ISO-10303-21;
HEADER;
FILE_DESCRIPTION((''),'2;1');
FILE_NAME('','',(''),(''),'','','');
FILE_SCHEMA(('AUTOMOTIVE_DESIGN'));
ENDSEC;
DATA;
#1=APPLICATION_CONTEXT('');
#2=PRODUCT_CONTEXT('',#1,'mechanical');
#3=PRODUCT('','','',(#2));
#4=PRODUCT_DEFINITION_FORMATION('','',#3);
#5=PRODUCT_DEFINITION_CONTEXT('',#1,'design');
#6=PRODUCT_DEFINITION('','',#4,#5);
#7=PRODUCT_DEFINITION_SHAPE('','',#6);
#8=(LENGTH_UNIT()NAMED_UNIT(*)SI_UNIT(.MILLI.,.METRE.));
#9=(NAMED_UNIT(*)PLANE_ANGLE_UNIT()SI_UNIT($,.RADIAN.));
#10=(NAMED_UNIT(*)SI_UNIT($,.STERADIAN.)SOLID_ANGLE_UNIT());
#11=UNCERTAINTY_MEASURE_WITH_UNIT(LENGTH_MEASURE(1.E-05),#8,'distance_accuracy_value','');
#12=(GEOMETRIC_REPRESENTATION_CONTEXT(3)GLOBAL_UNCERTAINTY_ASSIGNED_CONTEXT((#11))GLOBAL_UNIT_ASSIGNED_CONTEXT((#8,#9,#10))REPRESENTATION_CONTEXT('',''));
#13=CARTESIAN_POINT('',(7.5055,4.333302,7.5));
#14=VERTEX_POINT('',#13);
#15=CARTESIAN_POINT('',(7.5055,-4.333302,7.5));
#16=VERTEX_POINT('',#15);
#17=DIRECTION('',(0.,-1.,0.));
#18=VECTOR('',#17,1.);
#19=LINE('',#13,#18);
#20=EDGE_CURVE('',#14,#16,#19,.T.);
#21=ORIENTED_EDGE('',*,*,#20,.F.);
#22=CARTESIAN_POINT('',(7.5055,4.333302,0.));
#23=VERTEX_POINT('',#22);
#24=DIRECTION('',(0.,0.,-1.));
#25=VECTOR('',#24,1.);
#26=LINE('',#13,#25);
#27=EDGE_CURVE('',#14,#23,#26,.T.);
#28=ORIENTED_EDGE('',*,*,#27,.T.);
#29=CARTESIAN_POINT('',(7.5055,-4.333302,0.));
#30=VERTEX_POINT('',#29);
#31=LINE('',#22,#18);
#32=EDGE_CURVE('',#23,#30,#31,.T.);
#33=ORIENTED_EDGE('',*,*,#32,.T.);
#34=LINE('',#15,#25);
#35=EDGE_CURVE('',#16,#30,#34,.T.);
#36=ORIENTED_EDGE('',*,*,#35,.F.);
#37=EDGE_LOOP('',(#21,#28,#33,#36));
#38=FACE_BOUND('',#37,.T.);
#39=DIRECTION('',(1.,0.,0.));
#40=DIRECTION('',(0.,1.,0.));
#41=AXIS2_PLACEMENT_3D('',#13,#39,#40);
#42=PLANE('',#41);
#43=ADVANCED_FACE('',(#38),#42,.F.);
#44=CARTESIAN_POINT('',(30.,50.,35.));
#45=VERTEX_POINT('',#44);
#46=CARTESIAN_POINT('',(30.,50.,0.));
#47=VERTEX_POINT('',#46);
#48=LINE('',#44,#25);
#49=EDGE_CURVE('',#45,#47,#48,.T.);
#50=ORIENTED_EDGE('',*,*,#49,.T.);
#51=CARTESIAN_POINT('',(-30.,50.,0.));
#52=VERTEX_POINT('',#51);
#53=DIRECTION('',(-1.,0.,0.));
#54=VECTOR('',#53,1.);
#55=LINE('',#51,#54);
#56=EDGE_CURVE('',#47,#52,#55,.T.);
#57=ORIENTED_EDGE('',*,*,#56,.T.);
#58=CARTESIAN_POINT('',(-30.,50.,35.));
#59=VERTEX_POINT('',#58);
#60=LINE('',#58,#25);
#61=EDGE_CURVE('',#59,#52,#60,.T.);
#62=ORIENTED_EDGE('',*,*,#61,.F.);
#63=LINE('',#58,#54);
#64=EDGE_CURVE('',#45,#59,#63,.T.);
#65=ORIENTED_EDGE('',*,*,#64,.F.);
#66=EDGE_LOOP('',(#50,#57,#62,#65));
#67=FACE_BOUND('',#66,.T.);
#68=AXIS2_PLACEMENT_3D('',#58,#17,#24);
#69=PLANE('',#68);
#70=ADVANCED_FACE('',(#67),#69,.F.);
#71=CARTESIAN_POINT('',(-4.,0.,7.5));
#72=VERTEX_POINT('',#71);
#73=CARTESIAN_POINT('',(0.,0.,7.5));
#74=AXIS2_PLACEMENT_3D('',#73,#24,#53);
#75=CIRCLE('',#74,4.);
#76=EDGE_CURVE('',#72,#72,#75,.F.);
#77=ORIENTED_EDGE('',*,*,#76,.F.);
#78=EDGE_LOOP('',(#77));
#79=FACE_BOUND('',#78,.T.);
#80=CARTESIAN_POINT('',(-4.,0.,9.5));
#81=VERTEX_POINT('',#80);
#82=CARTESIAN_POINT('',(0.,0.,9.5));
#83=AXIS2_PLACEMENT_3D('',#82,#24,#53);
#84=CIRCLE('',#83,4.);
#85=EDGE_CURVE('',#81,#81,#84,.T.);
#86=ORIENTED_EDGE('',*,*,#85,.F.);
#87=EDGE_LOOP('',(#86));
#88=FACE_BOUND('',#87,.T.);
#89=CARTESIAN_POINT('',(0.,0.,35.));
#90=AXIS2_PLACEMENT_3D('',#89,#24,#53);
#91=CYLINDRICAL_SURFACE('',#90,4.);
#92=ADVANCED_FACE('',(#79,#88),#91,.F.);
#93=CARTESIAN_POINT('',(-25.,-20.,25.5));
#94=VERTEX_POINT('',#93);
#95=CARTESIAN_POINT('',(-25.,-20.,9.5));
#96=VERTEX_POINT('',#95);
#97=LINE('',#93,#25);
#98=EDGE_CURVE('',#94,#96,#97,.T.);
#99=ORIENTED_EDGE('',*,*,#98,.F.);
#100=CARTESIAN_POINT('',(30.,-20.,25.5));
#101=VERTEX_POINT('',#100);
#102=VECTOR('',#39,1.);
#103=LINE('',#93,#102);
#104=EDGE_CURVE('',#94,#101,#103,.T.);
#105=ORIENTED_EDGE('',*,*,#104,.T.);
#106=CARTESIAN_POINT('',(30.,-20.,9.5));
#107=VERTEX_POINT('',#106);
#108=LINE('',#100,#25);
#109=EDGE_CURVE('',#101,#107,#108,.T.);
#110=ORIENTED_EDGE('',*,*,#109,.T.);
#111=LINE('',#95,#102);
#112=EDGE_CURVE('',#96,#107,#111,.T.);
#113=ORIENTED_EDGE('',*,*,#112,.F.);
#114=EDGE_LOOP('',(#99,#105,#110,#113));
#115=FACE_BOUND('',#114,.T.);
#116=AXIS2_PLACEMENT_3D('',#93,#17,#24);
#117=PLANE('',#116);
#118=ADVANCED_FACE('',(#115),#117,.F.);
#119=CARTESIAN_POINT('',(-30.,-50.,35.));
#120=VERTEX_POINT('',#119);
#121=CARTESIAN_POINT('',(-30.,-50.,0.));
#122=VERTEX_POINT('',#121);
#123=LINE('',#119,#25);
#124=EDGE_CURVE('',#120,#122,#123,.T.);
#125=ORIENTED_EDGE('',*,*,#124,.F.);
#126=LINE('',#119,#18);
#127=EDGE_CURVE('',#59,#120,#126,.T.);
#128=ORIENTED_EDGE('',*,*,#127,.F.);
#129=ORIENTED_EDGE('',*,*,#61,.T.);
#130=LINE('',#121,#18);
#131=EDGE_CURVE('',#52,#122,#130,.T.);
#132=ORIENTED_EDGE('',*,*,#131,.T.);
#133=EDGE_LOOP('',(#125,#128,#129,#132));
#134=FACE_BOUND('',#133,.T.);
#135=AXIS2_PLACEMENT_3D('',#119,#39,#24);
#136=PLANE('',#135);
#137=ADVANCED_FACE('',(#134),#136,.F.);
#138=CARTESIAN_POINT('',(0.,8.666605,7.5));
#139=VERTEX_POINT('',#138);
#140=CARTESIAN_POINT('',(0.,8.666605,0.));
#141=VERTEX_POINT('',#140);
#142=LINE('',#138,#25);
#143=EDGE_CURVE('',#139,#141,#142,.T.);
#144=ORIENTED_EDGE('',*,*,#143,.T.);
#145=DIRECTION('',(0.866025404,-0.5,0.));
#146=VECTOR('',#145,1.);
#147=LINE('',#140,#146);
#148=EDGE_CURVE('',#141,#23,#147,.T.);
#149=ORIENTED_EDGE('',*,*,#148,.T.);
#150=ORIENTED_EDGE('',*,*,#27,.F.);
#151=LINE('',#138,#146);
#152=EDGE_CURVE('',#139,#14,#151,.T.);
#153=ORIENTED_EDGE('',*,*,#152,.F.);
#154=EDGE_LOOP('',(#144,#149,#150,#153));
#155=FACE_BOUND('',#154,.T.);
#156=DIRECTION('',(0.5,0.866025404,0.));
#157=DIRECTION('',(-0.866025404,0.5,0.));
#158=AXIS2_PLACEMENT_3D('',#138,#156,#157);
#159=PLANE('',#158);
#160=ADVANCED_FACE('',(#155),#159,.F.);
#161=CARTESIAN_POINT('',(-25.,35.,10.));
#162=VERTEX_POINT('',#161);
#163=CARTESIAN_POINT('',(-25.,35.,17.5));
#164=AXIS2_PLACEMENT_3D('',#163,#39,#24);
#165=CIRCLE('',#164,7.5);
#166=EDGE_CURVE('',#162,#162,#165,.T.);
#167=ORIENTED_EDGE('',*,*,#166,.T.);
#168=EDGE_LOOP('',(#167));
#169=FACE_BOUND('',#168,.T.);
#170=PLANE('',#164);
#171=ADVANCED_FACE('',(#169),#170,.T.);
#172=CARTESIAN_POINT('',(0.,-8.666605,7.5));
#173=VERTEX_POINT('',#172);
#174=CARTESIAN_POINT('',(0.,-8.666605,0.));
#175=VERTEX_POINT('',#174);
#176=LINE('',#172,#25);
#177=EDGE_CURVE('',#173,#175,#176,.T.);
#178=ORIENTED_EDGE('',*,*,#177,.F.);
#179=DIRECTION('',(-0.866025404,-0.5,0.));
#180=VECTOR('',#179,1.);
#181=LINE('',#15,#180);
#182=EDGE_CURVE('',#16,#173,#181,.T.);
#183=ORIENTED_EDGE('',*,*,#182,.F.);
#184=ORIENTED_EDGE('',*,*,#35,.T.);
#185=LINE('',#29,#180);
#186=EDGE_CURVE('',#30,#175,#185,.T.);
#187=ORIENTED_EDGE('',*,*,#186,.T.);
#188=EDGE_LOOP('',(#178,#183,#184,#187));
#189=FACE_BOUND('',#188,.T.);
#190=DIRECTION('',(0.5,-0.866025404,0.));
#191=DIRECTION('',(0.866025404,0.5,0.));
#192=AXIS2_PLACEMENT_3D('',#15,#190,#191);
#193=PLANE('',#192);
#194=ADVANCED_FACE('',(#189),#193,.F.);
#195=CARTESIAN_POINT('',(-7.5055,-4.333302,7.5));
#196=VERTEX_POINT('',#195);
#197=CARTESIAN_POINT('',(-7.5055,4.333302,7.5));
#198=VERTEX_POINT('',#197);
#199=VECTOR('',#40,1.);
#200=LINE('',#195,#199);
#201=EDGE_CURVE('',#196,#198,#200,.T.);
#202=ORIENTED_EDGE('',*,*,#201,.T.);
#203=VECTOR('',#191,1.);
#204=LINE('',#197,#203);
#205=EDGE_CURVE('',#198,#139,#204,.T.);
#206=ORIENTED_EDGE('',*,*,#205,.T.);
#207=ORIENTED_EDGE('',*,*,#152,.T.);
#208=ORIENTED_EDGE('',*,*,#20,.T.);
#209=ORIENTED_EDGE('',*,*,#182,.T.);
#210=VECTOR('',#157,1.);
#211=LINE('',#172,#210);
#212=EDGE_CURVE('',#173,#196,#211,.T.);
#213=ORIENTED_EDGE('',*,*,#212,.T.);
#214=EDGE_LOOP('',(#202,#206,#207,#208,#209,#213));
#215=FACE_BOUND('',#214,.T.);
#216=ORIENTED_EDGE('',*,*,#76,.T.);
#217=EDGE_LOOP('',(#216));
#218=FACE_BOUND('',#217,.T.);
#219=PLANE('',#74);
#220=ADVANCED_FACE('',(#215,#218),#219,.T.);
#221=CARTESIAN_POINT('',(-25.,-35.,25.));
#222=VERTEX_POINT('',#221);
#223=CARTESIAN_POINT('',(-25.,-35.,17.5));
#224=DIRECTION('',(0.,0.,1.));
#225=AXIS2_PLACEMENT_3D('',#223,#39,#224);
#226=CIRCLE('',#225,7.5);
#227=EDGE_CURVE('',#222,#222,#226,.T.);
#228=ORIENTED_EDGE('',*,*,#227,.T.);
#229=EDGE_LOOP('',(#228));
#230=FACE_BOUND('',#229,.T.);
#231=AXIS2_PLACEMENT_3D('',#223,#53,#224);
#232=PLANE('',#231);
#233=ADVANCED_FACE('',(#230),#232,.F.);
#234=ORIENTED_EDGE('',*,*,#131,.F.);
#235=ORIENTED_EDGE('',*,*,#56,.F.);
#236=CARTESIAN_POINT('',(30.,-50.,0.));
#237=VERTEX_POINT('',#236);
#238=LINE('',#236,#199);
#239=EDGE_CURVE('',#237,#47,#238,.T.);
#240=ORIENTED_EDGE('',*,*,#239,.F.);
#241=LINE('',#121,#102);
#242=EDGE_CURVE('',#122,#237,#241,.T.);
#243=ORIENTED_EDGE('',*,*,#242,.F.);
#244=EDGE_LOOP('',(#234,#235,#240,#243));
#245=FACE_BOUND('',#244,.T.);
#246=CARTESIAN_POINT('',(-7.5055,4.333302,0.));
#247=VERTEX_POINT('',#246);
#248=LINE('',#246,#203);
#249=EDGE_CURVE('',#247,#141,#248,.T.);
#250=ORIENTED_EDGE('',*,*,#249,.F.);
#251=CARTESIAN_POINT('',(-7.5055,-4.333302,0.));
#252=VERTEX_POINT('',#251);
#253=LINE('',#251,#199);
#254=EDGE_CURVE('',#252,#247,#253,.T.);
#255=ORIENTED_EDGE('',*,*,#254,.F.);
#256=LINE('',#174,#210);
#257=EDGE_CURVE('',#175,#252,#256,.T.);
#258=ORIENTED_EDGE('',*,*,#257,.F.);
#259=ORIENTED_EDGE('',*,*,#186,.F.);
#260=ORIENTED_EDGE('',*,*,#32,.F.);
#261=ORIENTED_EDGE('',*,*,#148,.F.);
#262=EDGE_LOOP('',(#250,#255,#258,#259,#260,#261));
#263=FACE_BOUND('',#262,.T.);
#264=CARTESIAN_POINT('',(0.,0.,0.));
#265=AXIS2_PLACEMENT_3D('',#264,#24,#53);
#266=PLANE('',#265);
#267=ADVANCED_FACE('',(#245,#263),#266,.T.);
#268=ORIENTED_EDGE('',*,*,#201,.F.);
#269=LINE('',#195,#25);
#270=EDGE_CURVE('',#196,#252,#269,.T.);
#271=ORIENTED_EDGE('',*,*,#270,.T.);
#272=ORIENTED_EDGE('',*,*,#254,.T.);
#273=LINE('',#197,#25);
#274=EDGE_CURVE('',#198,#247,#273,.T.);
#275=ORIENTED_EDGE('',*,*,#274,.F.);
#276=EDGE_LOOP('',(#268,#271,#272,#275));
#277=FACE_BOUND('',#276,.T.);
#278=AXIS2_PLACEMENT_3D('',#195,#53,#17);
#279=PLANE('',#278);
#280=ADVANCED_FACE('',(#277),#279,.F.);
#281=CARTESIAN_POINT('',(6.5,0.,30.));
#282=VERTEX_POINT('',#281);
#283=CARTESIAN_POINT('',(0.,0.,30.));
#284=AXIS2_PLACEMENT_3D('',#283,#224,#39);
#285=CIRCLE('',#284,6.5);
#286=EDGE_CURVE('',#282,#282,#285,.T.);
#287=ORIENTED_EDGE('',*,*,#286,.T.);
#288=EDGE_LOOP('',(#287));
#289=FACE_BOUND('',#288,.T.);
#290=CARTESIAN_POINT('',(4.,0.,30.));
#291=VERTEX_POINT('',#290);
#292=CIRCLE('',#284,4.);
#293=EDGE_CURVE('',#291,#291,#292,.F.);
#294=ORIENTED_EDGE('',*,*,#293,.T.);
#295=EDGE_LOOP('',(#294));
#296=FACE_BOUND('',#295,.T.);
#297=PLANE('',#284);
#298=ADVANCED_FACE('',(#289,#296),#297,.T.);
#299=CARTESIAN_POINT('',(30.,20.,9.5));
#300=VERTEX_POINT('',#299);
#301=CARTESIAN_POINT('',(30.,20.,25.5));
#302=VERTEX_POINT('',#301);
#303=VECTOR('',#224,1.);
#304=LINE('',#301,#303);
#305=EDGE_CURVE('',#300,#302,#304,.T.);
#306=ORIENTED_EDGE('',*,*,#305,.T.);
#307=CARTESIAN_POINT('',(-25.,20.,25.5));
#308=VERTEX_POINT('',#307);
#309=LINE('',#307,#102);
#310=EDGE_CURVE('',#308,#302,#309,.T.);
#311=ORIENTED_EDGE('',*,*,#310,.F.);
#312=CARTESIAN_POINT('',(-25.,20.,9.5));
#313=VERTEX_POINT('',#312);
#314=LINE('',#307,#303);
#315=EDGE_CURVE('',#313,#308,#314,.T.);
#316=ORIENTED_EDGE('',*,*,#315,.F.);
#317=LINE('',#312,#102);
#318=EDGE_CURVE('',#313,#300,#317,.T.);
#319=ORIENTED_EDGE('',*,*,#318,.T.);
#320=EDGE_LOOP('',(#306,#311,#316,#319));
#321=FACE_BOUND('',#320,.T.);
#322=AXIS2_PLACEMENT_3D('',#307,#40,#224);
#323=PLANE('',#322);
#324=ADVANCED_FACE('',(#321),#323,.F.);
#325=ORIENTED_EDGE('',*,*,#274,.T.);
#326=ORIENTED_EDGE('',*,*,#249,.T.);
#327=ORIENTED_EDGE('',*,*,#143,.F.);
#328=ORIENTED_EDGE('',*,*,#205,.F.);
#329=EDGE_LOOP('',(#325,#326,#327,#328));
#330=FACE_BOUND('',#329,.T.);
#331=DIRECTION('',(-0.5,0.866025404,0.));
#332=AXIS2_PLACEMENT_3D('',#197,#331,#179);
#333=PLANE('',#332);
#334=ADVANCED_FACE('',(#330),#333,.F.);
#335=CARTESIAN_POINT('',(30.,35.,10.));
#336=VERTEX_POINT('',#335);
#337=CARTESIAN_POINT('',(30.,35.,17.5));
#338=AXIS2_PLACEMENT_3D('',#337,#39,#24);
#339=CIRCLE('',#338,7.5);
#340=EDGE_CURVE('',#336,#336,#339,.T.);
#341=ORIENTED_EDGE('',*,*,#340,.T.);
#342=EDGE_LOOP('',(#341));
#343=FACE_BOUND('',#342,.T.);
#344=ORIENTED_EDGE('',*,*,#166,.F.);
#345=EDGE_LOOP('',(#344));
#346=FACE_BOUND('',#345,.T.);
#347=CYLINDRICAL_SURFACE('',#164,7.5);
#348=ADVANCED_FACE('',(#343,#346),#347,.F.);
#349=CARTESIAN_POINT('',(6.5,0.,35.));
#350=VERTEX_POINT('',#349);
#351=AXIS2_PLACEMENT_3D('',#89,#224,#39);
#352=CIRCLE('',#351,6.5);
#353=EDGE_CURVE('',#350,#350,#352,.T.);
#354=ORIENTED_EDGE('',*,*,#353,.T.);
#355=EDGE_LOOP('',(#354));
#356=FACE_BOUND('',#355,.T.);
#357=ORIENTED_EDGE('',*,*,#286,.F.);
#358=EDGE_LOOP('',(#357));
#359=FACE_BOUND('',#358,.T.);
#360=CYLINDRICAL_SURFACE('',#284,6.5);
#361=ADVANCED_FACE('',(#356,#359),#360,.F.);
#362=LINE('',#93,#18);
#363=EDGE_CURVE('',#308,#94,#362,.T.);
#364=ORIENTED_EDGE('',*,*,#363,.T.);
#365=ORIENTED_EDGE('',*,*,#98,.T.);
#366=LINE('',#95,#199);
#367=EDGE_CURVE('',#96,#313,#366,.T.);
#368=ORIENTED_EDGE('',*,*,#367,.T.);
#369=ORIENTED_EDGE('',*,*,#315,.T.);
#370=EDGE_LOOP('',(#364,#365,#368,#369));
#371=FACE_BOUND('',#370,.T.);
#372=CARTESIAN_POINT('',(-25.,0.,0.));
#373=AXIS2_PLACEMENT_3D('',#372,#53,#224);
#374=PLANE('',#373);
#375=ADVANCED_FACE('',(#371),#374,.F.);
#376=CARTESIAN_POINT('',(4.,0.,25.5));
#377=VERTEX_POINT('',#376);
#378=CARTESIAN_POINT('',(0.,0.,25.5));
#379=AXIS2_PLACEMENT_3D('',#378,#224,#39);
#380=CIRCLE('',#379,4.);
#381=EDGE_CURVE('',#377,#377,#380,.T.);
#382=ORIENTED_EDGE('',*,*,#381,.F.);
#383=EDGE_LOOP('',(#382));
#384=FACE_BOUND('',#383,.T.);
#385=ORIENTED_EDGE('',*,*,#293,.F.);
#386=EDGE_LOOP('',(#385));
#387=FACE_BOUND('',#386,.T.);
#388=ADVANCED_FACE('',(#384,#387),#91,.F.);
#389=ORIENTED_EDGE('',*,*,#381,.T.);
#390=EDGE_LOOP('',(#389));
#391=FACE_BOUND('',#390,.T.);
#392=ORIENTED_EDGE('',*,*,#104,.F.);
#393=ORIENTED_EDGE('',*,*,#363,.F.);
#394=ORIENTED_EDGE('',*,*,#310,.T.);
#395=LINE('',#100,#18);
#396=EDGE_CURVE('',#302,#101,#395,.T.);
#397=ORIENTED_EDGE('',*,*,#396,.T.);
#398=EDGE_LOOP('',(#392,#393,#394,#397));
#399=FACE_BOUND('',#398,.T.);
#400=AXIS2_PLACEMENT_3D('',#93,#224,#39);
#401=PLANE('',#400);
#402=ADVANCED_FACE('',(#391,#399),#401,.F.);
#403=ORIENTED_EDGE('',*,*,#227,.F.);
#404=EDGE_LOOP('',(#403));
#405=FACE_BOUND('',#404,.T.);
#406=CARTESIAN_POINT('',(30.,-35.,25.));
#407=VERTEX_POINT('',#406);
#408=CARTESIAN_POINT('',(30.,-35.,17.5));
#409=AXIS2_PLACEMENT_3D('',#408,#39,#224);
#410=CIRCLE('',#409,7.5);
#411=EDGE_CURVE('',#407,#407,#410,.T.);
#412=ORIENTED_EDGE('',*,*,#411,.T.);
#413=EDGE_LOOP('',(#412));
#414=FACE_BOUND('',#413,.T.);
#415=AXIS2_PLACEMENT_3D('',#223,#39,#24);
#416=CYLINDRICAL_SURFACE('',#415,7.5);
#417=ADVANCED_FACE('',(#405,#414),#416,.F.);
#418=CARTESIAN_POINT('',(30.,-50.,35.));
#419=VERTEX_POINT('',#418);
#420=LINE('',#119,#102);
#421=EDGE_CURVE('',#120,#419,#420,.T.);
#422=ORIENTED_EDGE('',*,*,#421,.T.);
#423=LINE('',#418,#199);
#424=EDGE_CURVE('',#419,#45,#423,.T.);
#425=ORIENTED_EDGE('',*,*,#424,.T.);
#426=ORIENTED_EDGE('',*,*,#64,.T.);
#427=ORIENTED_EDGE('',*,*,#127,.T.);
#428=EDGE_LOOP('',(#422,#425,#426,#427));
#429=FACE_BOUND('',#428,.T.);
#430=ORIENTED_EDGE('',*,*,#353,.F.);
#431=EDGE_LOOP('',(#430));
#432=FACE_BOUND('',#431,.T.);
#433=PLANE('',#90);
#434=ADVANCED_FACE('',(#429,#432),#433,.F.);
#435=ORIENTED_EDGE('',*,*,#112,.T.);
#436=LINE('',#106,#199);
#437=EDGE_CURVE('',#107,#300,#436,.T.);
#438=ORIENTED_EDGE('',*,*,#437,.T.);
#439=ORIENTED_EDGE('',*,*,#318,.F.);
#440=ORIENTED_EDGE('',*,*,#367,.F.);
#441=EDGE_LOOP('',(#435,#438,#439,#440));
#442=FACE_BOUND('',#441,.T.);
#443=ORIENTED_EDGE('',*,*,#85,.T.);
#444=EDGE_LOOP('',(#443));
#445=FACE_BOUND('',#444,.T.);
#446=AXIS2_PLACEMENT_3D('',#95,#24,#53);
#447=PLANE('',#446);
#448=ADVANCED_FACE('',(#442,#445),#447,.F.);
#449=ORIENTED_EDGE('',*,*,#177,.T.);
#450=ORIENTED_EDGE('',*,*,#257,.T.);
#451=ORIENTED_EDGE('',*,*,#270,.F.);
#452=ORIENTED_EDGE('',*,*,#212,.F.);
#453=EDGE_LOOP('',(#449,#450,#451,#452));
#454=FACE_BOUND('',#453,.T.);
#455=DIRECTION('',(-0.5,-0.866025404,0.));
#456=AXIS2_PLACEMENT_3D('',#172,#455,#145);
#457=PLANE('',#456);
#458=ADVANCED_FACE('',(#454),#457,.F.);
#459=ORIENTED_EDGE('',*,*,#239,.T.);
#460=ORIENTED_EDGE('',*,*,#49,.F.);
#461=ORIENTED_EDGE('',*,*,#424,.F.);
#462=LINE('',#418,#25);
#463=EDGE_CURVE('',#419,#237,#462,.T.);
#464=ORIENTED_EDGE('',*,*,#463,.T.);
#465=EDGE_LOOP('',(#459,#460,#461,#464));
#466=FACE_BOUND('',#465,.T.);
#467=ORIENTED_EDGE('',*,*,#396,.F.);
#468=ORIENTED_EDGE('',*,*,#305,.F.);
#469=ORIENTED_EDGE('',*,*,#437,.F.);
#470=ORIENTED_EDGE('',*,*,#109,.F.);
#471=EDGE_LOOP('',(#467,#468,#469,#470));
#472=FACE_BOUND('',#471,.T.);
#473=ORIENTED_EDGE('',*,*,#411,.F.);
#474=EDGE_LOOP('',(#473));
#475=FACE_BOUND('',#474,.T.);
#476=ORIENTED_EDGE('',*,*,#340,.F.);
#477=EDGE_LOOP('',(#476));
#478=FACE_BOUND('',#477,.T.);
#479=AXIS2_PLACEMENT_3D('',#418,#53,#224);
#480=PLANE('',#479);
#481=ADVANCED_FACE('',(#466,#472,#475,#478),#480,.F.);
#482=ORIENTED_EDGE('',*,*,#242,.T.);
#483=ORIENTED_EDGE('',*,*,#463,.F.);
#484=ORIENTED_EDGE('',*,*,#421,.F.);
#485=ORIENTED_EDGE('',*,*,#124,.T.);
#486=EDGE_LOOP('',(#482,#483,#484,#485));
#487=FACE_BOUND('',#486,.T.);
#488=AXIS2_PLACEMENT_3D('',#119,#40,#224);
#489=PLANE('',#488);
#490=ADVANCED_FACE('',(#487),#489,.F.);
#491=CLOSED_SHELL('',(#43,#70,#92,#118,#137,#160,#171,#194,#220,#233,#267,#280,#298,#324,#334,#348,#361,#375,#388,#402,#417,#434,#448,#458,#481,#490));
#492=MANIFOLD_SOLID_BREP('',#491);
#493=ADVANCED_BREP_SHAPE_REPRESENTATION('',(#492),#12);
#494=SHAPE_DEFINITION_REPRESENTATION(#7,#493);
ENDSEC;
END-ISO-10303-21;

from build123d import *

# Parameters (mm, degrees)
SKETCH1_W               = 60
SKETCH1_H               = 100
BOSS_EXTRUDE1_DEPTH     = 35
SKETCH3_R               = 7.5
SKETCH3_W               = 16
SKETCH3_H               = 40
CUT_EXTRUDE1_DEPTH      = 55
CUT_EXTRUDE2_DEPTH      = 69.007352544
CUT_EXTRUDE2_DEPTH_BACK = 69.007352544
SKETCH5_R               = 4
SKETCH7_R               = 6.5
CUT_EXTRUDE3_DEPTH      = 5
CUT_EXTRUDE5_DEPTH      = 7.5


with BuildPart() as part:
    # Sketch1 → Boss-Extrude1 (new body)
    with BuildSketch(Plane.XY):
        Rectangle(SKETCH1_W, SKETCH1_H)
    extrude(amount=BOSS_EXTRUDE1_DEPTH)

    # Sketch3 → Cut-Extrude1 (cut)
    with BuildSketch(Plane(origin=(30, 0, 0), x_dir=(0, 0, -1), z_dir=(1, 0, 0))):
        with Locations((-17.5, 35)):
            Circle(SKETCH3_R)
        with Locations(Location((-17.5, -35, 0), (0, 0, 180))):
            Circle(SKETCH3_R)
        with Locations((-17.5, 0)):
            Rectangle(SKETCH3_W, SKETCH3_H)
    extrude(amount=-CUT_EXTRUDE1_DEPTH, mode=Mode.SUBTRACT)

    # Sketch5 → Cut-Extrude2 (cut, two sides: drawn at the far end of the back side and taken through both)
    with BuildSketch(Plane(origin=(0, 0, 0), x_dir=(-1, 0, 0), z_dir=(0, 0, -1)).offset(-CUT_EXTRUDE2_DEPTH_BACK)):
        Circle(SKETCH5_R)
    extrude(amount=CUT_EXTRUDE2_DEPTH + CUT_EXTRUDE2_DEPTH_BACK, mode=Mode.SUBTRACT)

    # Sketch7 → Cut-Extrude3 (cut)
    with BuildSketch(Plane.XY.offset(35)):
        Circle(SKETCH7_R)
    extrude(amount=-CUT_EXTRUDE3_DEPTH, mode=Mode.SUBTRACT)

    # Sketch8 → Cut-Extrude5 (cut)
    with BuildSketch(Plane(origin=(0, 0, 0), x_dir=(-1, 0, 0), z_dir=(0, 0, -1))):
        Polygon((0, 8.666604891), (-7.5055, 4.333302445), (-7.5055, -4.333302445), (0, -8.666604891), (7.5055, -4.333302445), (7.5055, 4.333302445), align=None)
    extrude(amount=-CUT_EXTRUDE5_DEPTH, mode=Mode.SUBTRACT)


solid = part.part
